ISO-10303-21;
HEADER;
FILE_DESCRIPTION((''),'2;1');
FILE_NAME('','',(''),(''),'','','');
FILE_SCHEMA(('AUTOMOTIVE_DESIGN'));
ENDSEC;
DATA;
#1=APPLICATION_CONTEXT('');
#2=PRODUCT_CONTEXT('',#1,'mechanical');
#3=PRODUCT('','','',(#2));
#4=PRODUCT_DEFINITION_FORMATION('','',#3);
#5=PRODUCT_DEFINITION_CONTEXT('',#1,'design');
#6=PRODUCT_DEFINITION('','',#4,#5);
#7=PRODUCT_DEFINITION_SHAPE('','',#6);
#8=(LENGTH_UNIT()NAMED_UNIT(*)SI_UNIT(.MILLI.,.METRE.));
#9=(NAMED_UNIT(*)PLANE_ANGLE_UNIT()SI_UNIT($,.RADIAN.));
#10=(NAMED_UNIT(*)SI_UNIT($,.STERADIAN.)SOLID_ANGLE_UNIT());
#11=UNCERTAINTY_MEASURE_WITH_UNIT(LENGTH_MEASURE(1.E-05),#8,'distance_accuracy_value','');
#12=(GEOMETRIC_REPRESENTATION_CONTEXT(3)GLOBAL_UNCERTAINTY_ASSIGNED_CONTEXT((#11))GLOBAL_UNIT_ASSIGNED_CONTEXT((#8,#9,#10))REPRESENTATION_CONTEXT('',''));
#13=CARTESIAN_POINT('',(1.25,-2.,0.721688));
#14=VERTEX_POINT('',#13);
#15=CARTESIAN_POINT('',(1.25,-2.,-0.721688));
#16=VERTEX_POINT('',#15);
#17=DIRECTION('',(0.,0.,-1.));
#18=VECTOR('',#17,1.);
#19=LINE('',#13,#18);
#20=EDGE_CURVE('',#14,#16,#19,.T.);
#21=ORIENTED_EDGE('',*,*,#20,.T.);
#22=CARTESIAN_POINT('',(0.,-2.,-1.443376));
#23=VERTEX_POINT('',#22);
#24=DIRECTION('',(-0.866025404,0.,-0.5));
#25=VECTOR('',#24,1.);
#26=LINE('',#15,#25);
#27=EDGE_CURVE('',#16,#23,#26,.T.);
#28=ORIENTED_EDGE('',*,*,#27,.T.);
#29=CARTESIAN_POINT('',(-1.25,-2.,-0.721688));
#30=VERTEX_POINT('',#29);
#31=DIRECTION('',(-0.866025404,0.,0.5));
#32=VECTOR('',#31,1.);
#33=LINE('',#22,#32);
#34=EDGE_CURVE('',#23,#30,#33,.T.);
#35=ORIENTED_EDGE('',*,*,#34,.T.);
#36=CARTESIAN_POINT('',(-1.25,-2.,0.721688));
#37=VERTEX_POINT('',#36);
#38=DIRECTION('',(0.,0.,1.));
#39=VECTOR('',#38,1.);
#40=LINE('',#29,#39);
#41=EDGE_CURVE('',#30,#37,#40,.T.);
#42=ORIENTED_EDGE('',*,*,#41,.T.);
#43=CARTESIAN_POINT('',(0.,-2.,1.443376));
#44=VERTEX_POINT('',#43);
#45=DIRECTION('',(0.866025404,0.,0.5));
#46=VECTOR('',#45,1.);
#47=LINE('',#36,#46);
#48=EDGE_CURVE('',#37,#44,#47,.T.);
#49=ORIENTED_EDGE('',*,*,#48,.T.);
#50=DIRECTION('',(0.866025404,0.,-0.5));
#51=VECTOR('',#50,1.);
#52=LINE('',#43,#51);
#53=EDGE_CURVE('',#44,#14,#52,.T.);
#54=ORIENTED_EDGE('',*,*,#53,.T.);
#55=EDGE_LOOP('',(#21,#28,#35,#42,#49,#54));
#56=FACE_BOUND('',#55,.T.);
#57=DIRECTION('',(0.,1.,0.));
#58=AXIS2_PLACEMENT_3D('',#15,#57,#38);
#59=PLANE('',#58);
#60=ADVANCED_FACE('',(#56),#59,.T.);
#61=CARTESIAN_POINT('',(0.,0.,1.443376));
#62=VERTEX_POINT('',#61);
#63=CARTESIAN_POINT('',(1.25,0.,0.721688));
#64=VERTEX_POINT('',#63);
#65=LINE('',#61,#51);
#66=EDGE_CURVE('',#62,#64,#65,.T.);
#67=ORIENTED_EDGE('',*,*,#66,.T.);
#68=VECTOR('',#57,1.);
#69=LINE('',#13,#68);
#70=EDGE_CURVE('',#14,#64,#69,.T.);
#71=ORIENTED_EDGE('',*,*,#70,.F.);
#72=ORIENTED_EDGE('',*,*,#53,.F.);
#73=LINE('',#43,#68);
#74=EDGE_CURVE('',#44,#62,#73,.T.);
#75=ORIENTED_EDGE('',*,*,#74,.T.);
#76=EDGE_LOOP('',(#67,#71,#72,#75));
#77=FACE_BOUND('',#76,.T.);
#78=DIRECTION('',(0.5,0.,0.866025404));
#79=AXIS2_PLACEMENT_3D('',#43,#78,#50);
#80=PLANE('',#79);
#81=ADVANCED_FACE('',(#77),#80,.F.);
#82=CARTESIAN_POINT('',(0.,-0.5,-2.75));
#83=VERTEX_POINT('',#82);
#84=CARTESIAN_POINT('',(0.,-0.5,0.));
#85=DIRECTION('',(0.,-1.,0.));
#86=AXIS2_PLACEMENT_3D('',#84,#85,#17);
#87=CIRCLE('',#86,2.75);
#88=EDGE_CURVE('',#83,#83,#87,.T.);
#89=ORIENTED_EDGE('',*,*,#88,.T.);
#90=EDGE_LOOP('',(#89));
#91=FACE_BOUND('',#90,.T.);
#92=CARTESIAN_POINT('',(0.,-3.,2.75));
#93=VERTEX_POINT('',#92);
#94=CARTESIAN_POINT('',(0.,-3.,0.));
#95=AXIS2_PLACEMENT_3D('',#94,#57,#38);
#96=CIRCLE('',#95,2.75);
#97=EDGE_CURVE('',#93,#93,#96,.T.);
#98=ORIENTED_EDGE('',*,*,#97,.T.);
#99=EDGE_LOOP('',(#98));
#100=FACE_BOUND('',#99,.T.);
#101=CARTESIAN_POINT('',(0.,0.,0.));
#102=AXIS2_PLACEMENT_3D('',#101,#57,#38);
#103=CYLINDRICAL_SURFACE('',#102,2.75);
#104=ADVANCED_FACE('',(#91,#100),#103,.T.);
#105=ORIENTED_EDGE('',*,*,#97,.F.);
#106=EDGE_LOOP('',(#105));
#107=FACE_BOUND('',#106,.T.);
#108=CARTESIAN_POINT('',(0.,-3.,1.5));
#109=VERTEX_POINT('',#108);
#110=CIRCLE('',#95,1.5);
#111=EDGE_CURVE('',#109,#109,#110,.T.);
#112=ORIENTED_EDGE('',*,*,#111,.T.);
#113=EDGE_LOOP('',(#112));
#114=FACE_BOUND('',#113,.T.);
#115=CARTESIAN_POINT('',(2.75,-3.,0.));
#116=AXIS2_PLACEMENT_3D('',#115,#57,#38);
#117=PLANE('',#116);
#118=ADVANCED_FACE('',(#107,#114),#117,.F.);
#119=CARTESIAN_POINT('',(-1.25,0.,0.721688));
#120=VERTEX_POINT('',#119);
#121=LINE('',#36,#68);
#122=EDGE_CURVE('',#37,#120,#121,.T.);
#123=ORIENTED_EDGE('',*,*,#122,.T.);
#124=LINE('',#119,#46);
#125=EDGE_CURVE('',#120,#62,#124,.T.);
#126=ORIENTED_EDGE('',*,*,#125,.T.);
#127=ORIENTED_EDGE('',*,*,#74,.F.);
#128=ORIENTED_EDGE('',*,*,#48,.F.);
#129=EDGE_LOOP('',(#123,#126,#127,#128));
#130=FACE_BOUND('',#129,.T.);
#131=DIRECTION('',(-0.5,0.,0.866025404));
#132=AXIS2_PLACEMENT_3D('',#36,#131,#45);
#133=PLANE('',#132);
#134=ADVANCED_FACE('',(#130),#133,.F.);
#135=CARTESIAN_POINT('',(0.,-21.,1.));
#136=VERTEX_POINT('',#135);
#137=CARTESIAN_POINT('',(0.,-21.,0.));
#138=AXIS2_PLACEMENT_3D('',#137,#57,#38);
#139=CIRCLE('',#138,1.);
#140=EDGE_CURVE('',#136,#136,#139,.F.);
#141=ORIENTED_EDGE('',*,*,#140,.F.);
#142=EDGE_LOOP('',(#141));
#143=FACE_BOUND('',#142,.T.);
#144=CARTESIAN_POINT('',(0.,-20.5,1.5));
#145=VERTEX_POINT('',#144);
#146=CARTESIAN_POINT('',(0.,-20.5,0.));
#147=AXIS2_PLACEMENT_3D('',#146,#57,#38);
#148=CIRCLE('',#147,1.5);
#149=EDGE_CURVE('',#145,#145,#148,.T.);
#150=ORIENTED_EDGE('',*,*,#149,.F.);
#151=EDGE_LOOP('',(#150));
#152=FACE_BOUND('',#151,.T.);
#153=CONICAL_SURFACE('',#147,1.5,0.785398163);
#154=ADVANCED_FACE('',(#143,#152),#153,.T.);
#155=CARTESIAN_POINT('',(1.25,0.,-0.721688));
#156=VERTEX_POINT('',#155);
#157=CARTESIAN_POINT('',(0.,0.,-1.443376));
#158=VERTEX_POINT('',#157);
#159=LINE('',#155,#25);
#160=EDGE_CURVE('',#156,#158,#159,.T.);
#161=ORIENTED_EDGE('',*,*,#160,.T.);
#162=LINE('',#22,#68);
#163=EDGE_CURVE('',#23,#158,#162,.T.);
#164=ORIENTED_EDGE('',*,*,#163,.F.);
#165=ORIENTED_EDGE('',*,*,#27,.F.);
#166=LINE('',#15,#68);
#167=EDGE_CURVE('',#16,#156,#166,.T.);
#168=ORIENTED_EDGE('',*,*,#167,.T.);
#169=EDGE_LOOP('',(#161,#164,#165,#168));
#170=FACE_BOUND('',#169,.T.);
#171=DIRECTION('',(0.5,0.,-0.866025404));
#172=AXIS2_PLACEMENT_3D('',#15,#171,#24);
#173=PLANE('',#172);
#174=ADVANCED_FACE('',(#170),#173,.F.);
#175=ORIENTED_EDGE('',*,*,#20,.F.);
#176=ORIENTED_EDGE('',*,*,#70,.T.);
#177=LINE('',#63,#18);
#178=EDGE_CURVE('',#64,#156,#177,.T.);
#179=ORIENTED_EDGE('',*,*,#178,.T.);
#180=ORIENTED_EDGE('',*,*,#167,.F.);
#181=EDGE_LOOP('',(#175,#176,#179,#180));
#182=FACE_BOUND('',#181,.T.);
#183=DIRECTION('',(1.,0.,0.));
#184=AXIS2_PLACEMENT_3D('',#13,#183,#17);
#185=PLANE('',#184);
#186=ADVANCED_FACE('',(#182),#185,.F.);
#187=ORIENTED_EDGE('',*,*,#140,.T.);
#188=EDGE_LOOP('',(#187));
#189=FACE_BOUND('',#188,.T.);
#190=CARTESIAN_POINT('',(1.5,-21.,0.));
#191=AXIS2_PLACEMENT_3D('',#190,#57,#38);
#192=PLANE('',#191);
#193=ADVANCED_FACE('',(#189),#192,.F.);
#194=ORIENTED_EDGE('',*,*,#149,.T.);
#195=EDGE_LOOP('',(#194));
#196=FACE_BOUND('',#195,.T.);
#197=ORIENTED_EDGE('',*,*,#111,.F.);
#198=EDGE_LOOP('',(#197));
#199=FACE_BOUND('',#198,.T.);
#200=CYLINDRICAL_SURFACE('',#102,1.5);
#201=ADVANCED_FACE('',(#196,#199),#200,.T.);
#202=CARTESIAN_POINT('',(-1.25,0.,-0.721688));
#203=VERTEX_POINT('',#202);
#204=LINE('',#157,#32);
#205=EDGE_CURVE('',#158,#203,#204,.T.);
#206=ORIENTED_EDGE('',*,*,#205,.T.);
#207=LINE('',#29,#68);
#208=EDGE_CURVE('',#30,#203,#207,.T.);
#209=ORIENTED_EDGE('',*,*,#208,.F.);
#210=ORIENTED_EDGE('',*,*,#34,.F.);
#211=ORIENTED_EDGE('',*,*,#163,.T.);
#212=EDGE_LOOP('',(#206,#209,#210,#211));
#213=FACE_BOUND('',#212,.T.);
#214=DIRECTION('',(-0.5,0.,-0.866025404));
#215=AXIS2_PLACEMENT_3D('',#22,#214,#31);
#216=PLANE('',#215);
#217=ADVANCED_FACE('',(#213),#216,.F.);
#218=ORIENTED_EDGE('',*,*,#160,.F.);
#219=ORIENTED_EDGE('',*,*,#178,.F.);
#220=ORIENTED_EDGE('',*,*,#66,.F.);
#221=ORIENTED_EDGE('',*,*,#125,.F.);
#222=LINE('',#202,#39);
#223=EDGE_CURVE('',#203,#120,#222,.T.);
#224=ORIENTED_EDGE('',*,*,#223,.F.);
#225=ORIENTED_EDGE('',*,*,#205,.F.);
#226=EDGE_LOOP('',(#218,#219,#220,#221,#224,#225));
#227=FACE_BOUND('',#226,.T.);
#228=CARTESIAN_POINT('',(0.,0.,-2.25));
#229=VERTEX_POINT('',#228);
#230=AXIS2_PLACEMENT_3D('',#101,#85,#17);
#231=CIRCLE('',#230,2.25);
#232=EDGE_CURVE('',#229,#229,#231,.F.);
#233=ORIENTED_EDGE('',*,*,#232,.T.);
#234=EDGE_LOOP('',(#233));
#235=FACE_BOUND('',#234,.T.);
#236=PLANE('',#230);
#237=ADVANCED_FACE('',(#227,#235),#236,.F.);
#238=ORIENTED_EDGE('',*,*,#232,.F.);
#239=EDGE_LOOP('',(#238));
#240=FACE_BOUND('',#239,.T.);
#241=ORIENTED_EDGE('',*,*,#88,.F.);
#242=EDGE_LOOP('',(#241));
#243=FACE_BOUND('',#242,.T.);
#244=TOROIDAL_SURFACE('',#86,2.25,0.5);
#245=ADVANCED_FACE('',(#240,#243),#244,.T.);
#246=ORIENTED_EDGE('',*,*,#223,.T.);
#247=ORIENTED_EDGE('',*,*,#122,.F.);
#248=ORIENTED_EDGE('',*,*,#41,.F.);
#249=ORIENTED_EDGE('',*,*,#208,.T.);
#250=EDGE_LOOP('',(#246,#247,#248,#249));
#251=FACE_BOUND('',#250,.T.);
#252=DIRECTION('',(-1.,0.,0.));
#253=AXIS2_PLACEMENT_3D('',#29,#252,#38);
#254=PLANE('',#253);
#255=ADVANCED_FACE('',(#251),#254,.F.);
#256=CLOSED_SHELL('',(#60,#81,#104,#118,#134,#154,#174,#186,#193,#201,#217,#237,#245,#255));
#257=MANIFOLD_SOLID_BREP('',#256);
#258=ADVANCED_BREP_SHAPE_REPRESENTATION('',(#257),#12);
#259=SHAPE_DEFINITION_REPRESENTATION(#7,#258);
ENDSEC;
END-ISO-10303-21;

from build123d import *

# Parameters (mm, degrees)
CORTAR_EXTRUIR1_DEPTH = 2
CHAFL_N1_SIZE         = 0.5
REDONDEO1_R           = 0.5


with BuildPart() as part:
    # Croquis1 → Revolución1 (revolve)
    with BuildSketch(Plane.XY):
        Polygon((0, 0), (2.75, 0), (2.75, -3), (1.5, -3), (1.5, -21), (0, -21), align=None)
    revolve(axis=Axis((0, 0, 0), (0, -1, 0)))

    # Croquis2 → Cortar-Extruir1 (cut)
    with BuildSketch(Plane(origin=(0, 0, 0), x_dir=(1, 0, 0), z_dir=(0, 1, 0))):
        Polygon((1.25, 0.721687836), (0, 1.443375673), (-1.25, 0.721687836), (-1.25, -0.721687836), (0, -1.443375673), (1.25, -0.721687836), align=None)
    extrude(amount=-CORTAR_EXTRUIR1_DEPTH, mode=Mode.SUBTRACT)

    # Chaflán1
    chafl_n1_edges = [part.edges().sort_by_distance(p)[0] for p in [
        (-1.5, -21, 0),
    ]]
    chamfer(chafl_n1_edges, length=CHAFL_N1_SIZE)

    # Redondeo1
    redondeo1_edges = [part.edges().sort_by_distance(p)[0] for p in [
        (-2.75, 0, 0),
    ]]
    fillet(redondeo1_edges, radius=REDONDEO1_R)


solid = part.part
